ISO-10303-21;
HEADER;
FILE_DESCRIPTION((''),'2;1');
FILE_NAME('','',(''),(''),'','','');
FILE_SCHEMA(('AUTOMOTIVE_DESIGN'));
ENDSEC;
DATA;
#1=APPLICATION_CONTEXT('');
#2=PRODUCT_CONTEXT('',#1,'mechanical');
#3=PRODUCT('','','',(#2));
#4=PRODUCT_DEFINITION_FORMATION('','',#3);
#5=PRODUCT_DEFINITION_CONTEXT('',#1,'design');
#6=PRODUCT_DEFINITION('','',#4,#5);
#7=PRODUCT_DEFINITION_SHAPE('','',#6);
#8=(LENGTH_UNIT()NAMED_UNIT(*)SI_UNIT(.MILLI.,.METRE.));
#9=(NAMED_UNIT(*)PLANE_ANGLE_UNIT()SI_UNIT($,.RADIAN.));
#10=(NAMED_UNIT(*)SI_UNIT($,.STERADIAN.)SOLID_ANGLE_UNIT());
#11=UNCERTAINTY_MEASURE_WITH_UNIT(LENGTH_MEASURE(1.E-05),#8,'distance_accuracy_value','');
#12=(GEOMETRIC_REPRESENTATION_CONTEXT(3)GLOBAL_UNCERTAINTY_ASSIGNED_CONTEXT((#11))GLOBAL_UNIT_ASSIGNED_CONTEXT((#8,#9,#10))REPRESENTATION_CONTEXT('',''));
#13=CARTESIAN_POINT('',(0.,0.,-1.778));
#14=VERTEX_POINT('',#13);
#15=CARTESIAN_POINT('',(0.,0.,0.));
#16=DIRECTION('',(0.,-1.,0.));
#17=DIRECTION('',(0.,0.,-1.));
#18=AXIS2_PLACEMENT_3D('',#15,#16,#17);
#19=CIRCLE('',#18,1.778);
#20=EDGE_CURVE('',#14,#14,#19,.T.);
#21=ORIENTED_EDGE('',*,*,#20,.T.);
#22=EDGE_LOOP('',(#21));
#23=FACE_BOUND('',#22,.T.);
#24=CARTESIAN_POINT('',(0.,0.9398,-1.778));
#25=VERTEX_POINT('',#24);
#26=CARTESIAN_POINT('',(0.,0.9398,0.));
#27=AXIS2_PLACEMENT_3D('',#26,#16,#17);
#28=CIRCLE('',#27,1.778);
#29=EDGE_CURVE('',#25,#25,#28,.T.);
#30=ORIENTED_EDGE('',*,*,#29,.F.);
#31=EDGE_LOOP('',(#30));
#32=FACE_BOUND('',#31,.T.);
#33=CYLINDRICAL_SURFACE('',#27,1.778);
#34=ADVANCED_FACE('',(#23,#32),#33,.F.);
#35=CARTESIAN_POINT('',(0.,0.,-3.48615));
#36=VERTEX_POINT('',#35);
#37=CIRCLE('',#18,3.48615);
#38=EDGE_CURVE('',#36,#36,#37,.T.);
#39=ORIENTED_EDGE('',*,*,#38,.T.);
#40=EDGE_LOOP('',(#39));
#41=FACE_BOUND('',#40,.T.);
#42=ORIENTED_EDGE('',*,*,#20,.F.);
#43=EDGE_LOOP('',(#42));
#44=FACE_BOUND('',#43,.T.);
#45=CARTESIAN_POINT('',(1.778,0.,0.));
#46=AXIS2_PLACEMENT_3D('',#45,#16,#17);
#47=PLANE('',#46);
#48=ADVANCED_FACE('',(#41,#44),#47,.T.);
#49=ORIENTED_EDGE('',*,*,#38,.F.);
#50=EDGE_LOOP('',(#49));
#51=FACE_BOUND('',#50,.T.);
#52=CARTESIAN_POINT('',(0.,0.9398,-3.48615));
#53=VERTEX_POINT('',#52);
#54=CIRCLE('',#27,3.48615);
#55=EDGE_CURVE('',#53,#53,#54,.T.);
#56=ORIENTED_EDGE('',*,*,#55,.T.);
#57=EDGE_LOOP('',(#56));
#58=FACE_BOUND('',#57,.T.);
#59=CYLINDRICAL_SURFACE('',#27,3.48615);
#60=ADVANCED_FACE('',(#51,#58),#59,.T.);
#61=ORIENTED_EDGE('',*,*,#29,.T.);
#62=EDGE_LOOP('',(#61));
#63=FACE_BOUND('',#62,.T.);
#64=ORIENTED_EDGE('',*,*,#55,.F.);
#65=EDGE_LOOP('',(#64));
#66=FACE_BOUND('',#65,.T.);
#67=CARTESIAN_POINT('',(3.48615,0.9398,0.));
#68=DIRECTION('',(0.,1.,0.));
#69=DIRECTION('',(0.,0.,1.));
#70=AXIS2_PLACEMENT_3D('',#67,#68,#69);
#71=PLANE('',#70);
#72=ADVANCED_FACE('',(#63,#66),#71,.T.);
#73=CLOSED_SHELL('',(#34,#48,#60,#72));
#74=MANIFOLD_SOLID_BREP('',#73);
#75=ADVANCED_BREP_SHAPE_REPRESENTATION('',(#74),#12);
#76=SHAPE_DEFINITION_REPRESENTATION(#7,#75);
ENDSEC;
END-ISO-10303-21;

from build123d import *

# Parameters (mm, degrees)
SKETCH1_W = 1.70815
SKETCH1_H = 0.9398


with BuildPart() as part:
    # Sketch1 → Revolve1 (revolve)
    with BuildSketch(Plane.XY, mode=Mode.PRIVATE) as revolve1_sk:
        with Locations((2.632075, 0.4699)):
            Rectangle(SKETCH1_W, SKETCH1_H)
    revolve(revolve1_sk.sketch.rotate(Axis((0, 0.9398, 0), (0, -1, 0)), 270), axis=Axis((0, 0.9398, 0), (0, -1, 0)))


solid = part.part
